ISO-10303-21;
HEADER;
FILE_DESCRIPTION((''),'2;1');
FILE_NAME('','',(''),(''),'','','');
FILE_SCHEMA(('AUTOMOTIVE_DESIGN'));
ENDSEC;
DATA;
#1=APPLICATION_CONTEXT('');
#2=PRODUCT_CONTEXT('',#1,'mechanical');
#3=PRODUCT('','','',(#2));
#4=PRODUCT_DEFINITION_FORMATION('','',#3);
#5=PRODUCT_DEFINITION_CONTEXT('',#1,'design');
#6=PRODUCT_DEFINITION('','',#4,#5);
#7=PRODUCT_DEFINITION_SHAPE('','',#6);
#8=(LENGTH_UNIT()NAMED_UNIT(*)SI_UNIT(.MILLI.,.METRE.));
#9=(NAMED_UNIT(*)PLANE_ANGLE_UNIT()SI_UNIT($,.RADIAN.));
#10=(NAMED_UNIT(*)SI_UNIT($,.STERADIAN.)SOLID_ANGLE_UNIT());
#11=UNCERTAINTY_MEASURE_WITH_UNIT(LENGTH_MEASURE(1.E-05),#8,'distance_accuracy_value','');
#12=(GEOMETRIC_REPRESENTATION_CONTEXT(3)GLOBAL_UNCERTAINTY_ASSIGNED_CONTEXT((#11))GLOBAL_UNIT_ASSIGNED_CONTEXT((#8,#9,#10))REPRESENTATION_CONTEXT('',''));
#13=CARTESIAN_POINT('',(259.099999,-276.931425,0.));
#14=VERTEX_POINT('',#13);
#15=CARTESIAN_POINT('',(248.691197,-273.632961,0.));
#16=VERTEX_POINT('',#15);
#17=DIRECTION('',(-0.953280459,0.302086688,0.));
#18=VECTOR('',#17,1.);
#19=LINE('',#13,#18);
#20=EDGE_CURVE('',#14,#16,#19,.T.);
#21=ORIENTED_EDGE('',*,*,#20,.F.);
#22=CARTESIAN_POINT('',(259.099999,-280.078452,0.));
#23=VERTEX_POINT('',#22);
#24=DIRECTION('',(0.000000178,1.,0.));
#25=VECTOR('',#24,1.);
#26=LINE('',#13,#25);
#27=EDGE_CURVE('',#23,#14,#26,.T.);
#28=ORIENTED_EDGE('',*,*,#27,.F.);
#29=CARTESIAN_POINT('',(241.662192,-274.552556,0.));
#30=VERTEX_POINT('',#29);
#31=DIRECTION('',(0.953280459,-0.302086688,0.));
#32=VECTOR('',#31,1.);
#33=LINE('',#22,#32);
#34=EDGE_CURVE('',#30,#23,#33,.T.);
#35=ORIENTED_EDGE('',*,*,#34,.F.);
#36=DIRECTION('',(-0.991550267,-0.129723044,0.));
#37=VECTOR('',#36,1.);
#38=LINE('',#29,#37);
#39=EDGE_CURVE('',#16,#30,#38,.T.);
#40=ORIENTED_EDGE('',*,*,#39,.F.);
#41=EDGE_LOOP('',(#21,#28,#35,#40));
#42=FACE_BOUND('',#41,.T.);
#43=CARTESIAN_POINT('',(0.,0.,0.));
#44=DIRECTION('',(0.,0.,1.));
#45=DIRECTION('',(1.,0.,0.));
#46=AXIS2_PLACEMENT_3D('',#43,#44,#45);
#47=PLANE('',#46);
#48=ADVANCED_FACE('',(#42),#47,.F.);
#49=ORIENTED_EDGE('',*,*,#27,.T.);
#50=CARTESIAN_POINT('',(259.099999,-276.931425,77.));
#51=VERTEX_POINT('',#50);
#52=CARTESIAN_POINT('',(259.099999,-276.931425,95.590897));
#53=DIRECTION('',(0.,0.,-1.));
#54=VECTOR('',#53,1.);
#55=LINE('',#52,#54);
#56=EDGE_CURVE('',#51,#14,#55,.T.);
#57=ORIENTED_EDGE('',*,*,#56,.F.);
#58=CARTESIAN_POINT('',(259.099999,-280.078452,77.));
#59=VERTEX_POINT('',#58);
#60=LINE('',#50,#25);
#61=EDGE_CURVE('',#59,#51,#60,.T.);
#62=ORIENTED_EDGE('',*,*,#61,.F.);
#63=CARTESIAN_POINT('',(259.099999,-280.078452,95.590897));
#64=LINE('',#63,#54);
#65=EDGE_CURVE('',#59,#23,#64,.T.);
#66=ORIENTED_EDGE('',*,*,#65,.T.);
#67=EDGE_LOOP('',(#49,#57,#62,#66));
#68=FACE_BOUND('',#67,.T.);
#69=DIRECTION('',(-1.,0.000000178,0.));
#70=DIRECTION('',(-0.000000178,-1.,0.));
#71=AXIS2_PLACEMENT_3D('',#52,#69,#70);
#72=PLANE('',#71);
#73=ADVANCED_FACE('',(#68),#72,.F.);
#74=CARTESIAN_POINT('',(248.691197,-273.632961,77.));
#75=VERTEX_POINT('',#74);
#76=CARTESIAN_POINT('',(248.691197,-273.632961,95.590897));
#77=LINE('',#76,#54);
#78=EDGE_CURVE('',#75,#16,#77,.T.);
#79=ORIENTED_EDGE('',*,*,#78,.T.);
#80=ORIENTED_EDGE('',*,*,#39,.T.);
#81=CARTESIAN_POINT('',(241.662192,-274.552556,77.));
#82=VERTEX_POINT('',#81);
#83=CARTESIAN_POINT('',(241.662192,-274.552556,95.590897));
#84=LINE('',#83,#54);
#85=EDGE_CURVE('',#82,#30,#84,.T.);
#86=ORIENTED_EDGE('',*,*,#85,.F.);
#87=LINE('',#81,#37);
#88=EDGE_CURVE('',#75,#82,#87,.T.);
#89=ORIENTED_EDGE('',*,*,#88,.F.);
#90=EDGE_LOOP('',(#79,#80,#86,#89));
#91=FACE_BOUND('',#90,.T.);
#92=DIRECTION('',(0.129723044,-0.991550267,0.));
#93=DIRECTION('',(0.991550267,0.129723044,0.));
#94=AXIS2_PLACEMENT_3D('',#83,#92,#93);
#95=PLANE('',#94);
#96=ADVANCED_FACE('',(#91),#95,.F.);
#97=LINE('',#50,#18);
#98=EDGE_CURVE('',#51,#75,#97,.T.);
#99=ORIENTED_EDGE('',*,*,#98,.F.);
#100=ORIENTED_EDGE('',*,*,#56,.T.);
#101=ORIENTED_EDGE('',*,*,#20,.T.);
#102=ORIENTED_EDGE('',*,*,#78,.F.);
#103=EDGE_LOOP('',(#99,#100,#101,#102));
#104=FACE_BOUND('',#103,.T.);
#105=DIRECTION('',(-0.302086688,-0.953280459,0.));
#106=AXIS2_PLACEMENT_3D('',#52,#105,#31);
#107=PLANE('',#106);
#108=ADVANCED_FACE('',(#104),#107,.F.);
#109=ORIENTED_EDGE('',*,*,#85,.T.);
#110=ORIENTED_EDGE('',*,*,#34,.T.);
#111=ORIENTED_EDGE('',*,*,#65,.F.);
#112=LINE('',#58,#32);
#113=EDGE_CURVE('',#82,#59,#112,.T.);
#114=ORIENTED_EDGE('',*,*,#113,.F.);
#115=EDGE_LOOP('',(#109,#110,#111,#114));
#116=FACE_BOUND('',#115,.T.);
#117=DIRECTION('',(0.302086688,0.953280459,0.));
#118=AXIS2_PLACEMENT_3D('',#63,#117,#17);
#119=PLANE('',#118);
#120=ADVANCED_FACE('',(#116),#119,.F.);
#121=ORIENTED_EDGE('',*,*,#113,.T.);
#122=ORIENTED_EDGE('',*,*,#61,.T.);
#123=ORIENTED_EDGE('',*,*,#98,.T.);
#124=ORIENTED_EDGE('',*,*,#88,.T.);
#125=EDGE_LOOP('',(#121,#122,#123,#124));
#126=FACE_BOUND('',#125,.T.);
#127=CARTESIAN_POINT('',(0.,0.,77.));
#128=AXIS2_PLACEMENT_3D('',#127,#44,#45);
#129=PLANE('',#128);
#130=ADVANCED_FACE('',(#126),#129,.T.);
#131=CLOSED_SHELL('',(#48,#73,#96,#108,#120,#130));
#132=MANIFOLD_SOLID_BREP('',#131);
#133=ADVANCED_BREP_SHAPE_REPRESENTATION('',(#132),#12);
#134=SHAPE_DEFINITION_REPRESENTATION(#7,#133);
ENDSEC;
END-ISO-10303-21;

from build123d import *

# Parameters (mm, degrees)
BOSS_EXTRUDE1_DEPTH = 77


with BuildPart() as part:
    # Sketch2 → Boss-Extrude1 (new body)
    with BuildSketch(Plane.XY):
        Polygon((259.099999165, -276.931424676), (259.099998606, -280.078452188), (241.66219208, -274.552555626), (248.69119692, -273.632961394), align=None)
    extrude(amount=BOSS_EXTRUDE1_DEPTH)


solid = part.part
